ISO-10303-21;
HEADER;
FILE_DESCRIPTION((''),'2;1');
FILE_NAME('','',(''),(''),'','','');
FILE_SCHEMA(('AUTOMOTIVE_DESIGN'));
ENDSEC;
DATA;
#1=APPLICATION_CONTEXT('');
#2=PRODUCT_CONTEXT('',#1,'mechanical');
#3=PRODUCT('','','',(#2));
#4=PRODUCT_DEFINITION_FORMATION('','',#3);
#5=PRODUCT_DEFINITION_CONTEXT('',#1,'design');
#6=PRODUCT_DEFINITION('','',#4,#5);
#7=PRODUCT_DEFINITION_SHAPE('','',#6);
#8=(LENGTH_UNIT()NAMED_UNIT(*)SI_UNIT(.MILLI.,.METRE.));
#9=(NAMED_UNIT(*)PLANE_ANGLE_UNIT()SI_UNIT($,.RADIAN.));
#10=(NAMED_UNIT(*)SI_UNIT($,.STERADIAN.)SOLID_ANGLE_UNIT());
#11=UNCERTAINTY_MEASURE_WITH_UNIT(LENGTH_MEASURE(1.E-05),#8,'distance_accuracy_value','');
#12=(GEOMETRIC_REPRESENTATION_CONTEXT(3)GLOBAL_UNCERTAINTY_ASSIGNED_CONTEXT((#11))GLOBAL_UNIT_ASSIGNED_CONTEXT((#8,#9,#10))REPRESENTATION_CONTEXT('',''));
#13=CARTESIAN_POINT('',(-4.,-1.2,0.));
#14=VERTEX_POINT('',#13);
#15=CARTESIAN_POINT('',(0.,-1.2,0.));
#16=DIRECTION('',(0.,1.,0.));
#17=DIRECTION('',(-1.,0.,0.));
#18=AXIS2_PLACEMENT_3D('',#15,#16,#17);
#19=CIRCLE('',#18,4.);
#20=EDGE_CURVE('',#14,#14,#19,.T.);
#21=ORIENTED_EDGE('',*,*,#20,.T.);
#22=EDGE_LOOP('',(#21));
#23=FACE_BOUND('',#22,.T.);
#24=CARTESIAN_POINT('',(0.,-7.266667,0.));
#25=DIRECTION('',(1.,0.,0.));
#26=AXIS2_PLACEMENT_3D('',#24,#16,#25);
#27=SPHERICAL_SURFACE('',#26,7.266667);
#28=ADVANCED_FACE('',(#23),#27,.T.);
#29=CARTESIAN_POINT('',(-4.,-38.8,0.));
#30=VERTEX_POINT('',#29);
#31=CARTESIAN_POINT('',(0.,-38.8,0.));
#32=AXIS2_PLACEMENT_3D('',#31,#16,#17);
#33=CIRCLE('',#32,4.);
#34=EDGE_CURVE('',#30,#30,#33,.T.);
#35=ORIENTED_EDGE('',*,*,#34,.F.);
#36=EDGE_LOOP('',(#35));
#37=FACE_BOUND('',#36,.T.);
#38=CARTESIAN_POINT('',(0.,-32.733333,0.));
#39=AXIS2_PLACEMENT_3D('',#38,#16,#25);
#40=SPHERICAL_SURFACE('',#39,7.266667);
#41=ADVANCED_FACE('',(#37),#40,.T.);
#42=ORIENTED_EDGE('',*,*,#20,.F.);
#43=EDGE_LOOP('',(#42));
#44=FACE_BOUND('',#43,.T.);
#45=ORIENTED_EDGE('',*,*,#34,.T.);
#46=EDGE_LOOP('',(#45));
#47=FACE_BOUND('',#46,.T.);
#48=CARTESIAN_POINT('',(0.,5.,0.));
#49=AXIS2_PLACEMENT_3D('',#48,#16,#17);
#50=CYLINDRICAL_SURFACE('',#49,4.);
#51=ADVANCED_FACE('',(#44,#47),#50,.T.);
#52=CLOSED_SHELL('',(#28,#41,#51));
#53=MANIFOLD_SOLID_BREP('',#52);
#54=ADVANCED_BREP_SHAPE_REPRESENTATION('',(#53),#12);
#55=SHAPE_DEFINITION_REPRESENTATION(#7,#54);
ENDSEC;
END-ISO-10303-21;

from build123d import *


with BuildPart() as part:
    # Sketch1 → Revolve1 (revolve)
    with BuildSketch(Plane.XY):
        with BuildLine():
            Line((4, -1.2), (4, -38.8))
            ThreePointArc((4, -38.8), (2.088061302, -39.693537673), (0, -40))
            Line((0, -40), (0, 0))
            ThreePointArc((0, 0), (2.088061302, -0.306462327), (4, -1.2))
        make_face()
    revolve(axis=Axis((0, 5, 0), (0, -1, 0)))


solid = part.part
